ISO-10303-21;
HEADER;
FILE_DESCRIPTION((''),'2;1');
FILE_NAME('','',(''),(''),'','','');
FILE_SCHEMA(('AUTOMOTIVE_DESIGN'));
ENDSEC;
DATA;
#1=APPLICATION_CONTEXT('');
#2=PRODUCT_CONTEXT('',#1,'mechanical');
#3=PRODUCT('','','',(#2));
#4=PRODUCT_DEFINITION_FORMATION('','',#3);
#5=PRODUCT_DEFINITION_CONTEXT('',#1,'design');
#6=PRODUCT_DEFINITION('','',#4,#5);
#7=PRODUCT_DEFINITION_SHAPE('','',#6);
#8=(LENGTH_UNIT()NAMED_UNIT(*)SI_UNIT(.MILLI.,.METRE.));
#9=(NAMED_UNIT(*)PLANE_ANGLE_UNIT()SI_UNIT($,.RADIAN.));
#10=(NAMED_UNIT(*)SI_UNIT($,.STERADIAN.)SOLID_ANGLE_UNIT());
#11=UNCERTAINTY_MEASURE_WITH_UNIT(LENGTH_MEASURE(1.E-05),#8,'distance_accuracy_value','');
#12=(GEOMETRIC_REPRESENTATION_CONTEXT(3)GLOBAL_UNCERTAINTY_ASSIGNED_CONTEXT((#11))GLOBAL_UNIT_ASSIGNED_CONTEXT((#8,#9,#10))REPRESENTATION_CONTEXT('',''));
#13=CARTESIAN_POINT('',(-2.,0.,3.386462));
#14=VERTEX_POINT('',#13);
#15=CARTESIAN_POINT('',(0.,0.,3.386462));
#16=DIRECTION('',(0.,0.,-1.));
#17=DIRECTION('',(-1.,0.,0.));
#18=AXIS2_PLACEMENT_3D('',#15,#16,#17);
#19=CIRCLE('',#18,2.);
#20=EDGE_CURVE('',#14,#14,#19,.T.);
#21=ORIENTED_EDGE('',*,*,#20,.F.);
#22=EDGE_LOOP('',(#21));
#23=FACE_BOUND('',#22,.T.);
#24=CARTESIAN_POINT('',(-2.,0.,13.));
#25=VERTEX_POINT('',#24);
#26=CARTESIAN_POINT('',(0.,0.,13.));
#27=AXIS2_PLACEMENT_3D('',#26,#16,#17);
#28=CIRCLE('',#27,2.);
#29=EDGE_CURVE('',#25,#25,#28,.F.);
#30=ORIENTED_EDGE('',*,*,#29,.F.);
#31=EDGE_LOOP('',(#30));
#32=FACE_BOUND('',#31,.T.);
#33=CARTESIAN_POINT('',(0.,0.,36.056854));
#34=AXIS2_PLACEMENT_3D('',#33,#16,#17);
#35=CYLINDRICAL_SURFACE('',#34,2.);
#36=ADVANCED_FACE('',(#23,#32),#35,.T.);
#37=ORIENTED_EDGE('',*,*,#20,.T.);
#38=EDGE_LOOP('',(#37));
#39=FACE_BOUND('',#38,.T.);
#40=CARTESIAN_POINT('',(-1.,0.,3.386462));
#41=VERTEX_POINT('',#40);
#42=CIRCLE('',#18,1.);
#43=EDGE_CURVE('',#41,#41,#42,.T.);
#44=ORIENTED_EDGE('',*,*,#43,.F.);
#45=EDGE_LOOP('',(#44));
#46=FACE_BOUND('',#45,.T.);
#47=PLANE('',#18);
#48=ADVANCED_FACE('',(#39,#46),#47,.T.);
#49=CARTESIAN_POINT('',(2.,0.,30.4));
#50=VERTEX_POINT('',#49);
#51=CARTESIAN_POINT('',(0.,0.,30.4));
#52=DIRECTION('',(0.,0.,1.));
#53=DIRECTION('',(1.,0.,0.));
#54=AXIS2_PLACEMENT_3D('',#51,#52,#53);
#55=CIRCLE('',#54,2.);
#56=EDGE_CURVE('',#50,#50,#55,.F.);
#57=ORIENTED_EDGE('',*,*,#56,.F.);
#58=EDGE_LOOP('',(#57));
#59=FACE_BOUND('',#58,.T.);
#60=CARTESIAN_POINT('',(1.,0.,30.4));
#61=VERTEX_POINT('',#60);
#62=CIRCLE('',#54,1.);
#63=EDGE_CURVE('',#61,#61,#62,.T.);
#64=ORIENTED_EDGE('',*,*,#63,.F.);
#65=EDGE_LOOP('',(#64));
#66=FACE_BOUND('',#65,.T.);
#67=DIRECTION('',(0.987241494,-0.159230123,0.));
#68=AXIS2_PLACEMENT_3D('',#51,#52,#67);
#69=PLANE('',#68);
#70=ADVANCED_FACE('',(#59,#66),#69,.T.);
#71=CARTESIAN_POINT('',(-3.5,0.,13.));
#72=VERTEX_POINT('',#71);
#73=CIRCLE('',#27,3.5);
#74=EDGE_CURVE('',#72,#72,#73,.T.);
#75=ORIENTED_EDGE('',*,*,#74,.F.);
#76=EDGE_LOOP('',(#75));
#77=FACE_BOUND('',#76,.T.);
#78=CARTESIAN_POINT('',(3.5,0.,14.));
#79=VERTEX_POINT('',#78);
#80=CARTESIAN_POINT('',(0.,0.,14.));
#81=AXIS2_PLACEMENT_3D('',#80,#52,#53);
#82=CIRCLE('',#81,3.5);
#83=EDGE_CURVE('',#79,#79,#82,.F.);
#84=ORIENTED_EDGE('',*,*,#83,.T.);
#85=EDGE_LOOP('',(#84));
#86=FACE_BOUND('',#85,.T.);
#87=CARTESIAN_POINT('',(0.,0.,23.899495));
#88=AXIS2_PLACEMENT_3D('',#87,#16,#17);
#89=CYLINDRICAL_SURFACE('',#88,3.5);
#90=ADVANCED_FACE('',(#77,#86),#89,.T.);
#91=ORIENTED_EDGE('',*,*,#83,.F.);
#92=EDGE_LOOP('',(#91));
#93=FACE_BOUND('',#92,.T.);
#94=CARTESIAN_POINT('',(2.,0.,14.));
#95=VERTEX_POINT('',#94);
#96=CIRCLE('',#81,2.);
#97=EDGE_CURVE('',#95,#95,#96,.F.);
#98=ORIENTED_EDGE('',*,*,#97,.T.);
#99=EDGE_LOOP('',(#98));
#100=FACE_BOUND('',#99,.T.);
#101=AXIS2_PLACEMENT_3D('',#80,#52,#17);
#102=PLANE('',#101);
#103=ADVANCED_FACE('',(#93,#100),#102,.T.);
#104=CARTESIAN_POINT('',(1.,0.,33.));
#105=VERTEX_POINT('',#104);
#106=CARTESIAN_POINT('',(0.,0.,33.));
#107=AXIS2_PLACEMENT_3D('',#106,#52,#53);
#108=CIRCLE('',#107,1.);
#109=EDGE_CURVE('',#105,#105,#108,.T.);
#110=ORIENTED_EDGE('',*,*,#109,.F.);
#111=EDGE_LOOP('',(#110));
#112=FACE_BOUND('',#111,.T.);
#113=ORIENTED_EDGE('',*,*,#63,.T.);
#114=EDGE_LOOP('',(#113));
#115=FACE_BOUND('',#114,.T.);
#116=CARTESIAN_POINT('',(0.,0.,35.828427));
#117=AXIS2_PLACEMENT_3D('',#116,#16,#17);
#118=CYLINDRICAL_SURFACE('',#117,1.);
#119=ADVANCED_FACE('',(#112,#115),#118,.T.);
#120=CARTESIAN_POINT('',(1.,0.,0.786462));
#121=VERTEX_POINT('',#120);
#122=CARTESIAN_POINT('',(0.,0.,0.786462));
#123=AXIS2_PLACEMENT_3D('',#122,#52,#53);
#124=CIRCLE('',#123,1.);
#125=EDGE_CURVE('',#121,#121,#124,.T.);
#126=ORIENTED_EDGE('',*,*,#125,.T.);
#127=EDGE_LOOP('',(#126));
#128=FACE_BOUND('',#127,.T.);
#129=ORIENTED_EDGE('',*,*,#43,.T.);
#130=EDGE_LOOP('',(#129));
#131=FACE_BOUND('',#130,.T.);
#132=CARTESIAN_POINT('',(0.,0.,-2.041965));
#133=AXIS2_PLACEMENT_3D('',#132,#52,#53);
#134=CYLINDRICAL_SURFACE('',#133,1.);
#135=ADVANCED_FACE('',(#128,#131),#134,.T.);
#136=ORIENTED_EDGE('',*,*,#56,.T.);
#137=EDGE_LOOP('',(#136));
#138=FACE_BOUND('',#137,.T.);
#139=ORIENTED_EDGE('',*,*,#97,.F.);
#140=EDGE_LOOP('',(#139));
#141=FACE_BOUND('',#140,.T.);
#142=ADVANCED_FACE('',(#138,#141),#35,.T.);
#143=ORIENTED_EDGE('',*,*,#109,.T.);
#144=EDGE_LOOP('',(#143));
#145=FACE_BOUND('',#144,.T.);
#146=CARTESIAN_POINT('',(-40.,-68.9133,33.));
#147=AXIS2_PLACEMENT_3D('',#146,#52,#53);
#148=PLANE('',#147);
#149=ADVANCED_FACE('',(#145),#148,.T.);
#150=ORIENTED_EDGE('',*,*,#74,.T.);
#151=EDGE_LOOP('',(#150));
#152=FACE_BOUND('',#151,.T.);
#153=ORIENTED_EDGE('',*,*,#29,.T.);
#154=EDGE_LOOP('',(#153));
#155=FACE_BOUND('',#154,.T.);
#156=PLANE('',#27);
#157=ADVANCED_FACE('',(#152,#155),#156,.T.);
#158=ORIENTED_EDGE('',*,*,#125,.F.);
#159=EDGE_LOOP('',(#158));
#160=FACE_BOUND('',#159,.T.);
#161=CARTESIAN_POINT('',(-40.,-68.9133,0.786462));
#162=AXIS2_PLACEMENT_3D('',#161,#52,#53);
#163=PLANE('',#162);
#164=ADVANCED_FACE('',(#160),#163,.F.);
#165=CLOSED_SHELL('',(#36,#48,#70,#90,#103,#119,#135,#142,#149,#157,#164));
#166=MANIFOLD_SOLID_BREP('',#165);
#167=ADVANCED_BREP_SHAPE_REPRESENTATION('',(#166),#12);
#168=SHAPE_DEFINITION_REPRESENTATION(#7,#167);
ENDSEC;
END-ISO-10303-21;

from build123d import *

# Parameters (mm, degrees)
EXTRUDE_START   = 3.386462
SKETCH_1_R      = 2
EXTRUDE_1_DEPTH = 27.013538
SKETCH_2_R      = 1
EXTRUDE_2_DEPTH = 2.6
SKETCH_4_R      = 1
EXTRUDE_3_DEPTH = 2.6
EXTRUDE_START_2 = -10.613538
SKETCH_6_R      = 3.5
EXTRUDE_5_DEPTH = 1


with BuildPart() as part:
    # Эскиз1 → Бобышка-Вытянуть1 (new body)
    with BuildSketch(Plane.XY.offset(EXTRUDE_START)):
        Circle(SKETCH_1_R)
    extrude(amount=EXTRUDE_1_DEPTH)

    # Эскиз2 → Бобышка-Вытянуть2 (add)
    with BuildSketch(Plane.XY.offset(30.4)):
        Circle(SKETCH_2_R)
    extrude(amount=EXTRUDE_2_DEPTH)

    # Эскиз4 → Бобышка-Вытянуть3 (add)
    with BuildSketch(Plane(origin=(0, 0, 3.386462289), x_dir=(-1, 0, 0), z_dir=(0, 0, -1))):
        Circle(SKETCH_4_R)
    extrude(amount=EXTRUDE_3_DEPTH)

    # Эскиз6 → Бобышка-Вытянуть5 (add)
    with BuildSketch(Plane(origin=(0, 0, 3.386462289), x_dir=(-1, 0, 0), z_dir=(0, 0, -1)).offset(EXTRUDE_START_2)):
        Circle(SKETCH_6_R)
    extrude(amount=EXTRUDE_5_DEPTH)


solid = part.part
